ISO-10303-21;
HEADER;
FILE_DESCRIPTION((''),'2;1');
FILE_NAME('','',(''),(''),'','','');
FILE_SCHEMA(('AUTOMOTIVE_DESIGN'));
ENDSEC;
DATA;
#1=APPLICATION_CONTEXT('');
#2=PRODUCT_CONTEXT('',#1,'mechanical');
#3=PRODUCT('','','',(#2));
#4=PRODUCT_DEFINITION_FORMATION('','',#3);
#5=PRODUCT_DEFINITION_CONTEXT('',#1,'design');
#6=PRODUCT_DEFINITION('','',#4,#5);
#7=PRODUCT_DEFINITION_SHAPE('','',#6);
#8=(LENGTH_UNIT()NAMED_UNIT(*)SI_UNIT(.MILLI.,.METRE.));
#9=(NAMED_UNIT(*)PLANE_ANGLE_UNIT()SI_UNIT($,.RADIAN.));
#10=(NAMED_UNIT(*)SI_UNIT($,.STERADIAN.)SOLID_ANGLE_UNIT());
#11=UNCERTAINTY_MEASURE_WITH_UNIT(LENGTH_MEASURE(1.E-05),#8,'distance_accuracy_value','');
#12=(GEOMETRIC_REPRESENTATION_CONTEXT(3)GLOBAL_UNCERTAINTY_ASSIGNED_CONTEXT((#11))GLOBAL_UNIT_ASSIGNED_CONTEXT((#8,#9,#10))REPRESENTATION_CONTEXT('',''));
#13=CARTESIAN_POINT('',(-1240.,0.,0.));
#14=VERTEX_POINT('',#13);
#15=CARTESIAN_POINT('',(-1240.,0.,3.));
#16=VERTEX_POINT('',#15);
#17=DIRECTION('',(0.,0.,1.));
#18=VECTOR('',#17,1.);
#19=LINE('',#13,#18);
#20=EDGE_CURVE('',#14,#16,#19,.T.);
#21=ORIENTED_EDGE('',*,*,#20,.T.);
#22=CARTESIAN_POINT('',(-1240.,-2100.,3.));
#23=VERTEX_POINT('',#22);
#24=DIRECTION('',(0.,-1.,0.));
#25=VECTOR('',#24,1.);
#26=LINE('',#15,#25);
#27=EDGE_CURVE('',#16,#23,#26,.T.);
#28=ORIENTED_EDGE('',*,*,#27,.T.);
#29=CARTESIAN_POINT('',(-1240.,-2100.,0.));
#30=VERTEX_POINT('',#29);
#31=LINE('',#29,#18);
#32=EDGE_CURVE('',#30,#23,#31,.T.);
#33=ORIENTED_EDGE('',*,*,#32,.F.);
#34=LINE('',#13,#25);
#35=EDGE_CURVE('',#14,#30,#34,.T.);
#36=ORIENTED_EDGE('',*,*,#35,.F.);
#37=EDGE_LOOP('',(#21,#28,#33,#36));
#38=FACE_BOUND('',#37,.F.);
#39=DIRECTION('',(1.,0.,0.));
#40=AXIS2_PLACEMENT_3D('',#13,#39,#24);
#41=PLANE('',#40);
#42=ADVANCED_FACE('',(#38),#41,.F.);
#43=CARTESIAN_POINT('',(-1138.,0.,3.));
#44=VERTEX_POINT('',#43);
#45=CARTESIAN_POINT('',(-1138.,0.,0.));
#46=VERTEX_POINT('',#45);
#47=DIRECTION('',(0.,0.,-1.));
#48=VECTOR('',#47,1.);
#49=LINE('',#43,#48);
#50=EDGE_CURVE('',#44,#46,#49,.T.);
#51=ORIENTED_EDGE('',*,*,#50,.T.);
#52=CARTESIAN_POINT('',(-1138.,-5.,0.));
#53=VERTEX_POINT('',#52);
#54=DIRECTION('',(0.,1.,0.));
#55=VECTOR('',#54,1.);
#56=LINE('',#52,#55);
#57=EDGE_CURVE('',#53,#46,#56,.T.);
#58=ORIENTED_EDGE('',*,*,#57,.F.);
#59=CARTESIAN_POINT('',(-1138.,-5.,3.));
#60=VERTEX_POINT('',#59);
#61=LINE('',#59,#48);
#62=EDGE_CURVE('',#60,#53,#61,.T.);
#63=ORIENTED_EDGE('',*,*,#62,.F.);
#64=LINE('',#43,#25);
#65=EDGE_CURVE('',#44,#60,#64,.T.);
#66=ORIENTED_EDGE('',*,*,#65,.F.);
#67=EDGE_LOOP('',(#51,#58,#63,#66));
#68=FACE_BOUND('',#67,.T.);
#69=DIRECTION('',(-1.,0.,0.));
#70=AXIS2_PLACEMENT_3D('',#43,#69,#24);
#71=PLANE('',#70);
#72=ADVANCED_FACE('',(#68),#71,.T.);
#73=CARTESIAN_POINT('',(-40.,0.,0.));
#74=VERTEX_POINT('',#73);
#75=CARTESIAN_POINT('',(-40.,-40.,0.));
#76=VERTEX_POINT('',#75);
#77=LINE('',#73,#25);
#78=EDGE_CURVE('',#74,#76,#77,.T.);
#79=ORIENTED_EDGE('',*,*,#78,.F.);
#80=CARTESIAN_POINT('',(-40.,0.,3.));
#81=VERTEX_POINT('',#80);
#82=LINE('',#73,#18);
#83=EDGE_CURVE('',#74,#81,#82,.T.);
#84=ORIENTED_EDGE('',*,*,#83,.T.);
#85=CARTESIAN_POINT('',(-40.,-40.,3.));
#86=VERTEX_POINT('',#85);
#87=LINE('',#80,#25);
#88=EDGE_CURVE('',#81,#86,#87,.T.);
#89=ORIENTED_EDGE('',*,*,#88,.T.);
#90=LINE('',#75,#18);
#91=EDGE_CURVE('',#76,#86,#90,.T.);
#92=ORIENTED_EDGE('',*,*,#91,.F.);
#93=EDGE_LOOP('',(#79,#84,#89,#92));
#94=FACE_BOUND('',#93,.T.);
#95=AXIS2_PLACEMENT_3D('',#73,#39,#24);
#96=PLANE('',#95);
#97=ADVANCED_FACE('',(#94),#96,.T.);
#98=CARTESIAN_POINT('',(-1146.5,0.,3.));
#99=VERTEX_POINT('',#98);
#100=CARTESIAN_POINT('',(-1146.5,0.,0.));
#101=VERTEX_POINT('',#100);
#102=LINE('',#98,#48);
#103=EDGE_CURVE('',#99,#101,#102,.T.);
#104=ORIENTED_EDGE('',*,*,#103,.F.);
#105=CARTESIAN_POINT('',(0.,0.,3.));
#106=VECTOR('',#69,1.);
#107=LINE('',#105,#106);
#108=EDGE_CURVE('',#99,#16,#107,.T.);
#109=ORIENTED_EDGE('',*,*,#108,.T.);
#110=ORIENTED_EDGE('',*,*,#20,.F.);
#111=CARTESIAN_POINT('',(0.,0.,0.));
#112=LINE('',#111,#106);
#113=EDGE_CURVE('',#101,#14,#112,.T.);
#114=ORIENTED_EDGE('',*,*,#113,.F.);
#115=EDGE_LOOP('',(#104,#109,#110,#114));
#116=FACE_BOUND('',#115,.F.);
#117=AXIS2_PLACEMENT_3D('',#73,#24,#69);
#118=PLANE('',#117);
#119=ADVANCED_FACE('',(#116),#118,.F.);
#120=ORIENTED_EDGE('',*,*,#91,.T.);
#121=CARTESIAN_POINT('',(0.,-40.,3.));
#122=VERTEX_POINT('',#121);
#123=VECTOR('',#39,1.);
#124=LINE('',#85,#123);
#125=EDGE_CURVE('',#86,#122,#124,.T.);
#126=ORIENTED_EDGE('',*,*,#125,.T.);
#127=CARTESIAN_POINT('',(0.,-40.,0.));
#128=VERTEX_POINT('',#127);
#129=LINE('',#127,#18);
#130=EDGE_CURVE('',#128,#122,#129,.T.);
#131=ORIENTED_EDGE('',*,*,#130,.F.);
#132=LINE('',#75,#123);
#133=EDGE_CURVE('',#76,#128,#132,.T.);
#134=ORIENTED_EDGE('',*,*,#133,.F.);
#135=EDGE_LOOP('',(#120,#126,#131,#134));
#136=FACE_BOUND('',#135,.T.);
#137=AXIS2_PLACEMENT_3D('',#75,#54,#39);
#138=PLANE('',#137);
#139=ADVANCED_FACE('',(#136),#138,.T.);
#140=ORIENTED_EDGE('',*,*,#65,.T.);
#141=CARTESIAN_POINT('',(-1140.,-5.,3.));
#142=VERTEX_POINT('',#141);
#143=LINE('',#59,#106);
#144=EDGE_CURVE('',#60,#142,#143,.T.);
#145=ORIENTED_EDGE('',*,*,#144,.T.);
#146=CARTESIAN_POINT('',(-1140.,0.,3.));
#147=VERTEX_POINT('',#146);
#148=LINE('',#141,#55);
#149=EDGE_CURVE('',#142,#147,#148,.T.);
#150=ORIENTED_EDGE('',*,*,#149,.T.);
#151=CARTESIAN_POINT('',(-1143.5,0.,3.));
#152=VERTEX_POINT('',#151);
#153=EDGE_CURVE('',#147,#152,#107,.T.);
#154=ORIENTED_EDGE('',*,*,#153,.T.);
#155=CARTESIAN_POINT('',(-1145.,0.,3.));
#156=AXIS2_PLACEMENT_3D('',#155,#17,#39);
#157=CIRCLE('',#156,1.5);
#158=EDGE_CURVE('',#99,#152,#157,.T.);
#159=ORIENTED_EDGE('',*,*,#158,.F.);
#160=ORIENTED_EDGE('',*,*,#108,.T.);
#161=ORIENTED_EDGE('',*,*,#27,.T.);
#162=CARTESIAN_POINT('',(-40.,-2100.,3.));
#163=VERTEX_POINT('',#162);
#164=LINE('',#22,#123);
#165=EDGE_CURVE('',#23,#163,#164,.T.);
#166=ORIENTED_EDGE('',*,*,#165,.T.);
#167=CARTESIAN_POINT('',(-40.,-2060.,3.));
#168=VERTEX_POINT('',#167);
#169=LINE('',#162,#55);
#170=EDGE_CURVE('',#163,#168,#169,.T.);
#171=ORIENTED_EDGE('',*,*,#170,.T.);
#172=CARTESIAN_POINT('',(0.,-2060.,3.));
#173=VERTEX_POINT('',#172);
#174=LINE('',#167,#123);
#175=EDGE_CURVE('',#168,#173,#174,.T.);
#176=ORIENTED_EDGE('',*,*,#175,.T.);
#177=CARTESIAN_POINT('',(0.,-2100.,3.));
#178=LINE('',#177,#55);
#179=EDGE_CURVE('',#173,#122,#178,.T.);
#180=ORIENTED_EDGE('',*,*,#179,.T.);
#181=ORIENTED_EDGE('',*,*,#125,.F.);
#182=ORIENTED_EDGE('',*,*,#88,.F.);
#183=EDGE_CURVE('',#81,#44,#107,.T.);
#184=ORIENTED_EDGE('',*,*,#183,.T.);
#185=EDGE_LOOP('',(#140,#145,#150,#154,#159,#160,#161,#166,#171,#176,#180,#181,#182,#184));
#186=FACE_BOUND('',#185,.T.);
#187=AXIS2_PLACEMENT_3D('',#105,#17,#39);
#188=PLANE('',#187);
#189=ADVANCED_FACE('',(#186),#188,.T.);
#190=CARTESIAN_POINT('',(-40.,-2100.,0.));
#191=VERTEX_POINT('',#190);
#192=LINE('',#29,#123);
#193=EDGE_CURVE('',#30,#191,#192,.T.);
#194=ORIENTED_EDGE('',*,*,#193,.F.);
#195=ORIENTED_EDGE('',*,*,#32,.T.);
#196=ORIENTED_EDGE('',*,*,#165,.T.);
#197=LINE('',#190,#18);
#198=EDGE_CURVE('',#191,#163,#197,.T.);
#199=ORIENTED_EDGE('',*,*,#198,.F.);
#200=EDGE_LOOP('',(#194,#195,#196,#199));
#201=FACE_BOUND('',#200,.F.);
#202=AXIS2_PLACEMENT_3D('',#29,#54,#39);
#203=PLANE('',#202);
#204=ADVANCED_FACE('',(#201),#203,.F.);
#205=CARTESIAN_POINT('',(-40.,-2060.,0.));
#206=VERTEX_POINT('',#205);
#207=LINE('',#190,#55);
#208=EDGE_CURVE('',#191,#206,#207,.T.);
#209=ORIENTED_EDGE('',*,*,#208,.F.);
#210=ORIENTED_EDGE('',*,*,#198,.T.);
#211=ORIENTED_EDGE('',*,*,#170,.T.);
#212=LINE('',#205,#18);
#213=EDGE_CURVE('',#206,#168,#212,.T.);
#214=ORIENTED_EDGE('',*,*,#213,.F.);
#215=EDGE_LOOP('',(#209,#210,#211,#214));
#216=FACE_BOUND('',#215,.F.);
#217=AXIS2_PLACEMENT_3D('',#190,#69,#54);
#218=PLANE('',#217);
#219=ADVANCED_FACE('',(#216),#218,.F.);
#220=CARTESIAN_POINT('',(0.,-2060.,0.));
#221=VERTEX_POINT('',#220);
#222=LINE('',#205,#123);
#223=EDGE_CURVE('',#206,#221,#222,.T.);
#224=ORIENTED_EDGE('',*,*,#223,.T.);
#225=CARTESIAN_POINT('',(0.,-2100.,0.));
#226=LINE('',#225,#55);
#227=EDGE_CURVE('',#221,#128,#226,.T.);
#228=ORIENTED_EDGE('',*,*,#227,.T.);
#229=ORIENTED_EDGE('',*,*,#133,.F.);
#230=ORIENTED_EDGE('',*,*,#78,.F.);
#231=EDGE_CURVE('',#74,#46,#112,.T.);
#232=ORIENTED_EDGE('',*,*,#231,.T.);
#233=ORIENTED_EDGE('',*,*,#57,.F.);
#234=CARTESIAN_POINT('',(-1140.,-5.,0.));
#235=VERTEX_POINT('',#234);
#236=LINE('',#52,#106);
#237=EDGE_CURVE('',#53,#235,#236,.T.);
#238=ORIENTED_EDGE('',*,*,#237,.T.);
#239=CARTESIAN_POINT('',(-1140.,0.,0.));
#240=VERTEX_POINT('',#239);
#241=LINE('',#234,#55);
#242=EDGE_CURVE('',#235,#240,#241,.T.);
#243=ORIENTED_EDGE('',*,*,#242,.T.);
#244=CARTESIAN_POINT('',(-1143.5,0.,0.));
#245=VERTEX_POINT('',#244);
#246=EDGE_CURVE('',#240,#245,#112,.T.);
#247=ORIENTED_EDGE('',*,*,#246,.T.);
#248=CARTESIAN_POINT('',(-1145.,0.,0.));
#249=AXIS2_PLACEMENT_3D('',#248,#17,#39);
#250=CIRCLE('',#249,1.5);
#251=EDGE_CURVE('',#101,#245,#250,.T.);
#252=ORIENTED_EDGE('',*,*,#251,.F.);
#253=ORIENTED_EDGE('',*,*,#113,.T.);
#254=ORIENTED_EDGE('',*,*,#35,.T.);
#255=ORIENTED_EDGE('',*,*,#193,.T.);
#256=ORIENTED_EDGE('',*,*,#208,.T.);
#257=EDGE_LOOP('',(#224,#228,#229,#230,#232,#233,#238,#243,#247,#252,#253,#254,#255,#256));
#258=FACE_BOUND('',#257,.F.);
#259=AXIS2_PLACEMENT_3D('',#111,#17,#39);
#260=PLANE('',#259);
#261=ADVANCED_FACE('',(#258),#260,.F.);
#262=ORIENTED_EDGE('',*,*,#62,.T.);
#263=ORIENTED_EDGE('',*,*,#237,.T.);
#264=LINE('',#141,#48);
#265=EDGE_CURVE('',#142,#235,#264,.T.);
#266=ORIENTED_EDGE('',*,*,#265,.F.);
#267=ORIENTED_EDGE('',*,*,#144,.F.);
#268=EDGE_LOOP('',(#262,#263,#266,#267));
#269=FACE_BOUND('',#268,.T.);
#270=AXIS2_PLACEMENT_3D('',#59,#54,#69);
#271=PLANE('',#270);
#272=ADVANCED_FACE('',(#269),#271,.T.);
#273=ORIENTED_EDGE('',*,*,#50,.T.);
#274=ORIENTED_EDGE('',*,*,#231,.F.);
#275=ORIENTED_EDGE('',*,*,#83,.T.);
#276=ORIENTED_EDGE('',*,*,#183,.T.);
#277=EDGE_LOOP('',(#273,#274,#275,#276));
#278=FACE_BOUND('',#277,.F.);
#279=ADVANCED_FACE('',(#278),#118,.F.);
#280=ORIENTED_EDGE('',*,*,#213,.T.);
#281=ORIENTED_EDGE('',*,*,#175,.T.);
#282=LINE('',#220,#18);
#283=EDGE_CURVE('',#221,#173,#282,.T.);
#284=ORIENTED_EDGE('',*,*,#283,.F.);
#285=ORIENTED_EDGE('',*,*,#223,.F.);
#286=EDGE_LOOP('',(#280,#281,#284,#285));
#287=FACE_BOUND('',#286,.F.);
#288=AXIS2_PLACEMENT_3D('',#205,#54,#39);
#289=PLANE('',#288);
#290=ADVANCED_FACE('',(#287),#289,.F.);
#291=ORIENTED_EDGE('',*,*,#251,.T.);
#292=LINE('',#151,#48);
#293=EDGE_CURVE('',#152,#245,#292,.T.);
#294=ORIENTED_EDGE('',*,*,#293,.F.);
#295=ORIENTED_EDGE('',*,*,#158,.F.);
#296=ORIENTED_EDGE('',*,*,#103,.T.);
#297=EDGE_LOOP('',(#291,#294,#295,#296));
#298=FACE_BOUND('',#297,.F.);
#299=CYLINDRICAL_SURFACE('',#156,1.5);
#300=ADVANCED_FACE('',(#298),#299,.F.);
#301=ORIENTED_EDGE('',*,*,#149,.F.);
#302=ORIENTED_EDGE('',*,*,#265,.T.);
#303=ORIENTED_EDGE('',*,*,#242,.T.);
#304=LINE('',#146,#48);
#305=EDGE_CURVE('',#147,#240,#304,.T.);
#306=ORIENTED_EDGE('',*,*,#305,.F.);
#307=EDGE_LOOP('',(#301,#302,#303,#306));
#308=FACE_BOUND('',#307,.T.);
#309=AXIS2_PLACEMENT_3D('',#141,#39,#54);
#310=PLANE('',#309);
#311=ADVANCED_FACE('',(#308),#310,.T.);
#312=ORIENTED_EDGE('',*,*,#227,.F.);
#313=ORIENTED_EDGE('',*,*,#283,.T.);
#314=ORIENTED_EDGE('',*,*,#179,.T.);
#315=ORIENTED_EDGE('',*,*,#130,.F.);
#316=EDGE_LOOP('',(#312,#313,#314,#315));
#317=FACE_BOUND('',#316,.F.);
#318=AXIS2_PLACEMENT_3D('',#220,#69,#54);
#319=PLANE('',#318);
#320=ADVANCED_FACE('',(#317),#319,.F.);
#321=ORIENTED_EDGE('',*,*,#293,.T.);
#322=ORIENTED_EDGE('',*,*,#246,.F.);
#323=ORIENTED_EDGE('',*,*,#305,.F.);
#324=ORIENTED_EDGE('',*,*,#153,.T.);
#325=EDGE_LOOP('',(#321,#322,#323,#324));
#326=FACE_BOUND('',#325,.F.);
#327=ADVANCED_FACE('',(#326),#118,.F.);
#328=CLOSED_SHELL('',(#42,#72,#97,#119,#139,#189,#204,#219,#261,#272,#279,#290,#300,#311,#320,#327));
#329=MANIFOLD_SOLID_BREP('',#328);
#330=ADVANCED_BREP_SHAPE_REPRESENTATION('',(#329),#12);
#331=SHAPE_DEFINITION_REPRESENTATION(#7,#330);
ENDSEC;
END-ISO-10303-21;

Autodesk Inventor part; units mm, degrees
ref_plane "YZ Plane" through (0, 0, 0) normal (1, 0, 0) x (0, 1, 0)
ref_plane "XZ Plane" through (0, 0, 0) normal (0, 1, 0) x (-1, 0, 0)
ref_plane "XY Plane" through (0, 0, 0) normal (0, 0, 1) x (1, 0, 0)
sketch "Sketch1" plane through (0, 0, 0) normal (0, 0, 1) x (1, 0, 0)
  line L0 (0, 0) -> (-1240, 0)
  line L1 (-1240, 0) -> (-1240, -2100)
  line L2 (-1240, -2100) -> (0, -2100)
  line L3 (0, -2100) -> (0, 0)
  line L4 (0, 0) -> (-40, 0)
  line L5 (-40, 0) -> (-40, -40)
  line L6 (-40, -40) -> (0, -40)
  line L7 (0, -40) -> (0, 0)
  line L8 (0, -2100) -> (-40, -2100)
  line L9 (-40, -2100) -> (-40, -2060)
  line L10 (-40, -2060) -> (0, -2060)
  line L11 (0, -2060) -> (0, -2100)
  point P0 (0, -40)
  point P1 (0, -2060)
  dimension "d22" = 1240
  dimension "d23" = 2100
  dimension "d24" = 40
  dimension "d25" = 40
extrude "Plate1" add sketch "Sketch1" along normal blind 3 contours L5 L6 L3 L10 L9 L2 L1 L0
sketch "Sketch5" plane through (0, 0, 3) normal (0, 0, 1) x (1, 0, 0)
  line L0 (-1240, -2100) -> (-1240, 0) projected
  line L1 (-40, -2100) -> (-1240, -2100) projected
  line L2 (-40, -2060) -> (-40, -2100) projected
  line L3 (0, -2060) -> (-40, -2060) projected
  line L4 (0, -40) -> (0, -2060) projected
  line L5 (-40, -40) -> (0, -40) projected
  line L6 (-40, 0) -> (-40, -40) projected
  line L7 (-1240, 0) -> (-40, 0) projected
  line L8 (-1140, 0) -> (-1138, 0)
  line L9 (-1138, 0) -> (-1138, -5)
  line L10 (-1138, -5) -> (-1140, -5)
  line L11 (-1140, -5) -> (-1140, 0)
  line L12 (-1132, 0) -> (-1130, 0)
  line L13 (-1130, 0) -> (-1130, -5)
  line L14 (-1130, -5) -> (-1132, -5)
  line L15 (-1132, -5) -> (-1132, 0)
  line L16 (-1136, 0) -> (-1134, 0)
  line L17 (-1134, 0) -> (-1134, -5)
  line L18 (-1134, -5) -> (-1136, -5)
  line L19 (-1136, -5) -> (-1136, 0)
  line L20 (-1240, 0) -> (-40, 0) projected
  line L21 (-1138, -2.5) -> (-1136, -2.5)
  line L22 (-1128, 0) -> (-1125, 0)
  line L23 (-1134, -2.5) -> (-1132, -2.5)
  line L24 (-1128, 0) -> (-1126.9884, -4.6072)
  arc A0 (-1126.9884, -4.6072) -> (-1126.0116, -4.6072) centre (-1126.5, -4.5) ccw
  line L25 (-1126.0116, -4.6072) -> (-1125, 0)
  line L26 (-1130, 0) -> (-1128, 0)
  line L27 (-1123, 0) -> (-1121, 0)
  line L28 (-1121, 0) -> (-1121, -5)
  line L29 (-1121, -5) -> (-1123, -5)
  line L30 (-1123, -5) -> (-1123, 0)
  line L31 (-1115, 0) -> (-1113, 0)
  line L32 (-1113, 0) -> (-1113, -5)
  line L33 (-1113, -5) -> (-1115, -5)
  line L34 (-1115, -5) -> (-1115, 0)
  line L35 (-1119, 0) -> (-1117, 0)
  line L36 (-1117, 0) -> (-1117, -5)
  line L37 (-1117, -5) -> (-1119, -5)
  line L38 (-1119, -5) -> (-1119, 0)
  line L39 (-1121, -2.5) -> (-1119, -2.5)
  line L40 (-1117, -2.5) -> (-1115, -2.5)
  line L41 (-1125, 0) -> (-1123, 0)
  line L42 (-40, 0) -> (-1240, 0) projected
  circle A1 centre (-1145, 0) radius 1.5
  point P0 (0, 0)
  point P1 (-1131, 0)
  point P2 (-1135, 0)
  point P3 (-1126.5, 0)
  point P4 (-1114, 0)
  point P5 (-1118, 0)
  point P6 (-1122, 0)
  point P7 (-1143.5, 0)
  point P8 (-1146.5, 0)
  dimension "d34" = 2
  dimension "d35" = 5
  dimension "d36" = 0.5
  dimension "d37" = 100
  dimension "d40" = 3
  dimension "d41" = 2
  dimension "d42" = 5
  dimension "d43" = 3
  dimension "d44" = 5
extrude "Cut1" cut sketch "Sketch5" against normal blind 3 contours L7 A1 | L7 L9 L10 L11 picked at (-1145.0603, -0.4964)
equation "\"d25\" = d24"
equation "\"d36\" = 0.25 * d34"
equation "\"d38\" = Thickness"
equation "\"d2\" = Thickness"
equation "\"BendReliefWidth\" = Thickness"
equation "\"BendReliefDepth\" = 0.5 * Thickness"
equation "\"CornerReliefSize\" = 4 * Thickness"
equation "\"MinimumRemnant\" = 2 * Thickness"
equation "\"TransitionRadius\" = BendRadius"
equation "\"JacobiRadiusSize\" = BendRadius"
equation "\"GapSize\" = Thickness"
equation "\"Thickness\" = 3"
equation "\"BendRadius\" = 5"
properties part number "GnG frame 1.1 floor sheet" material "Stainless Steel"
